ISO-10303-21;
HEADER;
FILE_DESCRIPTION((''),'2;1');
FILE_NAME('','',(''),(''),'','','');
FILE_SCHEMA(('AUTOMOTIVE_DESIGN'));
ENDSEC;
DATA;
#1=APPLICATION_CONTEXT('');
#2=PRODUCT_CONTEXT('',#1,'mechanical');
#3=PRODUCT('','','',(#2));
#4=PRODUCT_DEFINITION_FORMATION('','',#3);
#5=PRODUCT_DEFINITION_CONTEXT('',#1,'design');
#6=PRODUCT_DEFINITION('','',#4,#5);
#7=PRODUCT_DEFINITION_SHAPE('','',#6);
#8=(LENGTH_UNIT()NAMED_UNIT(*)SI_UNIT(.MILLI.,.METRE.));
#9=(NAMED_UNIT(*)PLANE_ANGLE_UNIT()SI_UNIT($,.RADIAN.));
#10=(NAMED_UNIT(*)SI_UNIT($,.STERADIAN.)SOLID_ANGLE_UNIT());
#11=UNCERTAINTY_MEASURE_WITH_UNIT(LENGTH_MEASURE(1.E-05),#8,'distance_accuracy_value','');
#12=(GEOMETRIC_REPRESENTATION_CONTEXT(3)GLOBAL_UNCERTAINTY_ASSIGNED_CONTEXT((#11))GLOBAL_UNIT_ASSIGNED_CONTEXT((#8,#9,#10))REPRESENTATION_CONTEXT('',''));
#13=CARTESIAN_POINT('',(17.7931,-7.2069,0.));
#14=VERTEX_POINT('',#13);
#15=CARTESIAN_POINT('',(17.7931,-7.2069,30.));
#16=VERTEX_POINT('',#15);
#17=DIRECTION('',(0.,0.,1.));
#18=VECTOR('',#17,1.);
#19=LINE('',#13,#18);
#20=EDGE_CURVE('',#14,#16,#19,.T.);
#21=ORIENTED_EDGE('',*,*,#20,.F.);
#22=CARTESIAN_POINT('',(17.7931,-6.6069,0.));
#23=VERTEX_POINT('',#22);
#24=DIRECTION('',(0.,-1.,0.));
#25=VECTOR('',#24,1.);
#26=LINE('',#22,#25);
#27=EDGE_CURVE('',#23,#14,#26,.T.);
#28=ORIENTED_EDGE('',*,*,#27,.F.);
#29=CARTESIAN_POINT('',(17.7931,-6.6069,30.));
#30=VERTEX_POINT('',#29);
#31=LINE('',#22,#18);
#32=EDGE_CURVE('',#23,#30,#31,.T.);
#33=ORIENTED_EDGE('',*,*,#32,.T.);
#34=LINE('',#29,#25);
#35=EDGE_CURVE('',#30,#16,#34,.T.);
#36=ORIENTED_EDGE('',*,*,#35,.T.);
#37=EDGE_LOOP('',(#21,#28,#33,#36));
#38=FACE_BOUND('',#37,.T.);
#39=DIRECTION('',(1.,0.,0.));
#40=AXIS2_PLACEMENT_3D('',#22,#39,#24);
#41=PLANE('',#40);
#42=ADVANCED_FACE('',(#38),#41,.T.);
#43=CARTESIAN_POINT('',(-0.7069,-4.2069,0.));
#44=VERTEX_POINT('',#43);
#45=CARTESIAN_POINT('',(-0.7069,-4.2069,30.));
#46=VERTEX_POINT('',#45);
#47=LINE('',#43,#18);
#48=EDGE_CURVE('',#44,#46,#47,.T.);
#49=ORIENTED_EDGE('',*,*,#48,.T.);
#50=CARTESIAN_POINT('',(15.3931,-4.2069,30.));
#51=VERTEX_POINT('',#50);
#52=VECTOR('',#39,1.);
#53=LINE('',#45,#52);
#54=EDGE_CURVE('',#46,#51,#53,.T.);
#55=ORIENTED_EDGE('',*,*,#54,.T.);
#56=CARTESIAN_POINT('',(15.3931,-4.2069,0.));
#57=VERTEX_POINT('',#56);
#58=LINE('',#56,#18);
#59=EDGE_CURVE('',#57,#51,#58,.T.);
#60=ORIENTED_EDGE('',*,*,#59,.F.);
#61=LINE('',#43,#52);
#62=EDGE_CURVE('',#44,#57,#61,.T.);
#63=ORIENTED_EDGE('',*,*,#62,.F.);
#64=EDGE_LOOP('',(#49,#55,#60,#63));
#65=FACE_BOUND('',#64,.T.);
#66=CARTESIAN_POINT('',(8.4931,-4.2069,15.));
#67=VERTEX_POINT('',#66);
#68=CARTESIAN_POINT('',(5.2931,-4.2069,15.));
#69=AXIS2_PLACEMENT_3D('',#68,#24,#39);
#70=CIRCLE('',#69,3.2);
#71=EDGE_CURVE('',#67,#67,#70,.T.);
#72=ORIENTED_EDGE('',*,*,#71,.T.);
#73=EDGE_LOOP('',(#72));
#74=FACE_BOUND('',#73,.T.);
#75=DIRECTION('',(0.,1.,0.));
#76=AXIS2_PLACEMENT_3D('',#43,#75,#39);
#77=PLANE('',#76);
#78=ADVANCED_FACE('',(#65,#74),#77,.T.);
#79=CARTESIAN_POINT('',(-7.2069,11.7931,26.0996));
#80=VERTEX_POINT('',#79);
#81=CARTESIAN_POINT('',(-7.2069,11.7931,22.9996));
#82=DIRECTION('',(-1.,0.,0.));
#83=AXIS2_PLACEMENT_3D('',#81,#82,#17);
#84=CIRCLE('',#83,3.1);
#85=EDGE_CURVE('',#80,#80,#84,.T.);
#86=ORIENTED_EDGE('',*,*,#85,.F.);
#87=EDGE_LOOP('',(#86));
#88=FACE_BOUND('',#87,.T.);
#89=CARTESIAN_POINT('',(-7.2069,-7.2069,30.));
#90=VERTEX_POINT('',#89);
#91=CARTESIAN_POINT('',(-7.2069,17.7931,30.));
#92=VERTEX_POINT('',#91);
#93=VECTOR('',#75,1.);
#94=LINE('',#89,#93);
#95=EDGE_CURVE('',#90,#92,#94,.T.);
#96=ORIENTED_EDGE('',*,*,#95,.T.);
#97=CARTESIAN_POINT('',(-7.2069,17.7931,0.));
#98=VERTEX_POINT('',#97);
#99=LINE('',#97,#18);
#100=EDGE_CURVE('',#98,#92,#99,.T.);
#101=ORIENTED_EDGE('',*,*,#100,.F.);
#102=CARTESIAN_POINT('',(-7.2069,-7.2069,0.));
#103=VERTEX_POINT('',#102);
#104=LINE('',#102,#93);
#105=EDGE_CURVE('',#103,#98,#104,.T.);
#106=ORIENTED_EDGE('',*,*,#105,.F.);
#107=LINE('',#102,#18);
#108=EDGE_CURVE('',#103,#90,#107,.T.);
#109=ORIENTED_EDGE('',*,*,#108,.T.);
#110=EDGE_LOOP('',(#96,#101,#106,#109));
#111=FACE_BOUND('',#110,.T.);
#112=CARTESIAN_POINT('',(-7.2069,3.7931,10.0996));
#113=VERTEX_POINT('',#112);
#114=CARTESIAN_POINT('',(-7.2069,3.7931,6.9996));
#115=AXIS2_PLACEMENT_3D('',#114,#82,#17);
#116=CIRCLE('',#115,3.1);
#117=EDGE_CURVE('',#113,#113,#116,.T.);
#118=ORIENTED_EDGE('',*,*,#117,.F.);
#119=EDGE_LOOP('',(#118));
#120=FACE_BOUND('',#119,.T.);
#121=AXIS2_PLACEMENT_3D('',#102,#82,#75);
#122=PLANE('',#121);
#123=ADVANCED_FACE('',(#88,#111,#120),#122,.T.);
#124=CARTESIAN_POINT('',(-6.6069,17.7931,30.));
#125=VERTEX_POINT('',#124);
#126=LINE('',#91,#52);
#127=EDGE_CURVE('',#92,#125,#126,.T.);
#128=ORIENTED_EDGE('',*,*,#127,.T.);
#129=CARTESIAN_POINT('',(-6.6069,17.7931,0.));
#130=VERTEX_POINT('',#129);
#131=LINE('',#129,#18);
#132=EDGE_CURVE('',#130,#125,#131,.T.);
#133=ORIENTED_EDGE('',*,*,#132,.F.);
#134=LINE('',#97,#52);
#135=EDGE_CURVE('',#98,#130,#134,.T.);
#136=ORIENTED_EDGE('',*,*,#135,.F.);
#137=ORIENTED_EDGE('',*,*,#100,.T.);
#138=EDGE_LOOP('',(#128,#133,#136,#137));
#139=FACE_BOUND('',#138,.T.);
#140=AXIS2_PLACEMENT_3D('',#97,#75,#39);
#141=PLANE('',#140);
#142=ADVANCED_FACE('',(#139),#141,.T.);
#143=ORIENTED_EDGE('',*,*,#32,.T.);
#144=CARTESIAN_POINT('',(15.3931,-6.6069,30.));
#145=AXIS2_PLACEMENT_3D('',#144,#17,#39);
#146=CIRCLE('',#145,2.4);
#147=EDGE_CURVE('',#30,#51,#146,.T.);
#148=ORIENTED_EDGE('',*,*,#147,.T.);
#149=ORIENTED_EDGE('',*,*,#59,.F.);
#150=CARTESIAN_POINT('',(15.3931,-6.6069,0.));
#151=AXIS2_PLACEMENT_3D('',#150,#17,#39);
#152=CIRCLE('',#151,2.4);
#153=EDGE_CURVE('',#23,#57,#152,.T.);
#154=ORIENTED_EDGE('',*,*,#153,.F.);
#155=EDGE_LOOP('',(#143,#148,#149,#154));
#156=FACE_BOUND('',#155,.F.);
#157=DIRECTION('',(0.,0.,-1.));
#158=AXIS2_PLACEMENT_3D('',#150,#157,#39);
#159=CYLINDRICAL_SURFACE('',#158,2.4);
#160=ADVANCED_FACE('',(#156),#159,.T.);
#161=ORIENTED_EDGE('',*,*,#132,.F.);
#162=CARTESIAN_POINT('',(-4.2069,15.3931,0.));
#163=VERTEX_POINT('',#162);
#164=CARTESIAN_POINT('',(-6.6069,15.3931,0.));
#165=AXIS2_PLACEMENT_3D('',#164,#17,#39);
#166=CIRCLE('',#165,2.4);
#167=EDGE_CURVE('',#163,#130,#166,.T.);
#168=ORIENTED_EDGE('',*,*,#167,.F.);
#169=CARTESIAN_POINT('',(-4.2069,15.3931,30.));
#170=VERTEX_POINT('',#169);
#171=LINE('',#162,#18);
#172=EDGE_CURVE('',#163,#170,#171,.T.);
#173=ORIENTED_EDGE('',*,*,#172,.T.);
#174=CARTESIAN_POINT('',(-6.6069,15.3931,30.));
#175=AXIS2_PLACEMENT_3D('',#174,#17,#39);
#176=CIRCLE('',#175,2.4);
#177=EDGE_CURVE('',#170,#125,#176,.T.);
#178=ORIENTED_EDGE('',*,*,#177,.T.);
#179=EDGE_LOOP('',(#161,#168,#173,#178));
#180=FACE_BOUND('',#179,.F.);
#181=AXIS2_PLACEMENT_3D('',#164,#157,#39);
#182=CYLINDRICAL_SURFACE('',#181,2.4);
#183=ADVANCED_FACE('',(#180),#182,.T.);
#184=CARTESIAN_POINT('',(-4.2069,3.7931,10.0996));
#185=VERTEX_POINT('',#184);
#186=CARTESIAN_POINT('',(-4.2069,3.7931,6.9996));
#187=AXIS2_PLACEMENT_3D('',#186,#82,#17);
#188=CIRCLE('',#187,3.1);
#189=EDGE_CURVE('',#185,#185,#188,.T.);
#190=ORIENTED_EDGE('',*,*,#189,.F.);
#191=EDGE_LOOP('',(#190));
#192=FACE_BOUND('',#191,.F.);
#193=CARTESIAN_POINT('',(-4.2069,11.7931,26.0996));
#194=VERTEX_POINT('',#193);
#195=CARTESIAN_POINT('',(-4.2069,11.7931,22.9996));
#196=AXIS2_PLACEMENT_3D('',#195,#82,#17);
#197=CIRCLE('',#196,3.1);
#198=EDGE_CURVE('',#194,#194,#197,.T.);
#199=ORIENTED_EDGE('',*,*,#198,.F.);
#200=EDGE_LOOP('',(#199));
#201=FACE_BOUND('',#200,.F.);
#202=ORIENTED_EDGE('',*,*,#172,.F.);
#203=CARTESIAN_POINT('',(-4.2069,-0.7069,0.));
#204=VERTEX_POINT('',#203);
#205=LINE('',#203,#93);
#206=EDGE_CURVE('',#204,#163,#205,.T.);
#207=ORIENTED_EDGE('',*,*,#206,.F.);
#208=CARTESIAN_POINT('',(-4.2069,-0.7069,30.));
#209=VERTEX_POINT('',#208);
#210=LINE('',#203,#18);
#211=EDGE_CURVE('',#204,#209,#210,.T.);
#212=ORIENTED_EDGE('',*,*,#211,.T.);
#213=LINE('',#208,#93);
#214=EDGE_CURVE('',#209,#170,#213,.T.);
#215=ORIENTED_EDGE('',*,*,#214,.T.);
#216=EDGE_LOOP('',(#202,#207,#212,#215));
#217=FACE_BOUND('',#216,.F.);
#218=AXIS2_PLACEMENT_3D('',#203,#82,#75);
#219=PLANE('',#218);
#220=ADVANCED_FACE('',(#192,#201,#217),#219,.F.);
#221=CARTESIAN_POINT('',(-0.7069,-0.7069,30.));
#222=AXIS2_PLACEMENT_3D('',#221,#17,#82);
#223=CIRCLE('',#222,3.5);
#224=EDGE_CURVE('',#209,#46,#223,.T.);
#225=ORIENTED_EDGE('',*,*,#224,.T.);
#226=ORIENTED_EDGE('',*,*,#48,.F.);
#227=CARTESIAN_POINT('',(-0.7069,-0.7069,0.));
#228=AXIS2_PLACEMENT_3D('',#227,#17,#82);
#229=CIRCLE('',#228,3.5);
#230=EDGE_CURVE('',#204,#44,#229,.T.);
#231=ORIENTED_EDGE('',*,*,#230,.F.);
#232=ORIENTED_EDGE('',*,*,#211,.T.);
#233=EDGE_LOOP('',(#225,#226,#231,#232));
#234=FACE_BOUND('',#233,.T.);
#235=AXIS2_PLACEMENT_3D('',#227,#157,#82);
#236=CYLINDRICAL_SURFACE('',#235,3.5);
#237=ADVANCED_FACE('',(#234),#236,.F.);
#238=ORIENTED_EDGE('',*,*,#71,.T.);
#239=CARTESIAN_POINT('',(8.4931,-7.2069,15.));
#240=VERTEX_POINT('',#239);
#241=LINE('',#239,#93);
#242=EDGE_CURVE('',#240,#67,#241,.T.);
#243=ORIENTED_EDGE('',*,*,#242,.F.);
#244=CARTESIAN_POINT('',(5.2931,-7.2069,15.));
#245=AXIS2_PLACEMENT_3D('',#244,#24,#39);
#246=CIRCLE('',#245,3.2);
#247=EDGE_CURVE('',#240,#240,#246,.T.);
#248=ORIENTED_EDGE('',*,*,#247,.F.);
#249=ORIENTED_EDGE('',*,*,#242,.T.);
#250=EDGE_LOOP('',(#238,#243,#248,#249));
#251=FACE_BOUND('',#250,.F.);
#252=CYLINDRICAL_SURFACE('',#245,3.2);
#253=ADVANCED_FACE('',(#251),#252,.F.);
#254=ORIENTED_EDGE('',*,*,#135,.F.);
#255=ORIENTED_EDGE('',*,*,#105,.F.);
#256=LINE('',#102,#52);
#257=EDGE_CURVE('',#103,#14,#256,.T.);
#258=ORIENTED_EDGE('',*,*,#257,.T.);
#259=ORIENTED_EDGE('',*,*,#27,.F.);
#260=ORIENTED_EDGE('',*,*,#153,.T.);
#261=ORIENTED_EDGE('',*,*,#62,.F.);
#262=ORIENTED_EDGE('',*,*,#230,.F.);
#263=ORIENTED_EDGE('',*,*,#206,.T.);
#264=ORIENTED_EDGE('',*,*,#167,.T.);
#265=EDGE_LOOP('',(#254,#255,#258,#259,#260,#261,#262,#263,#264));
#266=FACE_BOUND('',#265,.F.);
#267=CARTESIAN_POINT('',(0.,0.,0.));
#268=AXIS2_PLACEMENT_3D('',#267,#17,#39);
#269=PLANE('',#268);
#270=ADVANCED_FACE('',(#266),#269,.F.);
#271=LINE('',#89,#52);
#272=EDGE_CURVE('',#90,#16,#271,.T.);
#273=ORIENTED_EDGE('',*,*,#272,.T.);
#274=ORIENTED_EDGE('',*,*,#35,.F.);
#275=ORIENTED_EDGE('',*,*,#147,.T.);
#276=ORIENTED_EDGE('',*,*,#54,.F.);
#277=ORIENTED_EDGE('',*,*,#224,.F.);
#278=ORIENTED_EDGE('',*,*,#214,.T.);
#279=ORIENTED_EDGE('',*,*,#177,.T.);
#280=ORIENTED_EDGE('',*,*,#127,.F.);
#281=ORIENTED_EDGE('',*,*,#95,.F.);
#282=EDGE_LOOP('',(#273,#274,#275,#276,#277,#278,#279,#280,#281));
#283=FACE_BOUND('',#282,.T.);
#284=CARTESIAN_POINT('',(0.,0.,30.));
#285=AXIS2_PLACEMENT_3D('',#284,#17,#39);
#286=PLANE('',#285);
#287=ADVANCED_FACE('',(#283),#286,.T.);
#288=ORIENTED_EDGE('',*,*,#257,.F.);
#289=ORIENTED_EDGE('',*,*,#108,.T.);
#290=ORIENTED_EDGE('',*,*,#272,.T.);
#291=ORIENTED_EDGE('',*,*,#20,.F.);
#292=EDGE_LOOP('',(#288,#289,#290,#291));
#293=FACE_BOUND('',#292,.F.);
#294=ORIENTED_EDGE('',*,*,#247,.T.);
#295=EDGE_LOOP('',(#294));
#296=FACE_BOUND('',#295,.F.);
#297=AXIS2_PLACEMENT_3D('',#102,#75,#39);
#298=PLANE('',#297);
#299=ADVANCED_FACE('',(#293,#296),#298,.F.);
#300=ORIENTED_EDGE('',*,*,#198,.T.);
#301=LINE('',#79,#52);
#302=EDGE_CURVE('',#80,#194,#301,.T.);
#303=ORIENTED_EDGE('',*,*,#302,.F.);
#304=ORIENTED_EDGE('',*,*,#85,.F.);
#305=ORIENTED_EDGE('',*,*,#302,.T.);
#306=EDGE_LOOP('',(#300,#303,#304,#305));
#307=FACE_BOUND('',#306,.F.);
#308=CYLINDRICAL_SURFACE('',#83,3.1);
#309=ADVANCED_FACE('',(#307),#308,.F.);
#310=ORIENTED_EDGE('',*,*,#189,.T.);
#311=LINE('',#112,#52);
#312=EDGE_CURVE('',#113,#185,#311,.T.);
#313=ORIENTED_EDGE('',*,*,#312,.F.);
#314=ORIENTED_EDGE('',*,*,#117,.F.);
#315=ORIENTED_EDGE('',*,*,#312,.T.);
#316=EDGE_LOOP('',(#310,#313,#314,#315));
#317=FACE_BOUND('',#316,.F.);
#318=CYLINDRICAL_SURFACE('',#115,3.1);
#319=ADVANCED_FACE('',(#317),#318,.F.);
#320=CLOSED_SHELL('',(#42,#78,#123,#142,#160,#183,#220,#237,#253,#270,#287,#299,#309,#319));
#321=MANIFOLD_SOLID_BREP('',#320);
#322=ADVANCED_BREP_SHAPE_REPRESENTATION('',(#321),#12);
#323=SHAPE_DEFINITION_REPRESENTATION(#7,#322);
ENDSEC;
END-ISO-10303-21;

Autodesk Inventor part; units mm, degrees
ref_plane "YZ Plane" through (0, 0, 0) normal (1, 0, 0) x (0, 1, 0)
ref_plane "Počáteční rovina" through (0, 0, 0) normal (0, 0, 1) x (1, 0, 0)
ref_plane "Koncová rovina" through (0, 0, 30) normal (0, 0, 1) x (1, 0, 0)
sketch "Náčrt2" plane through (0, 0, 0) normal (0, 0, 1) x (1, 0, 0)
  line L0 (-4.2069, -0.7069) -> (-4.2069, 15.3931)
  line L1 (-7.2069, 17.7931) -> (-6.6069, 17.7931)
  line L2 (-7.2069, -7.2069) -> (-7.2069, 17.7931)
  line L3 (-7.2069, -7.2069) -> (17.7931, -7.2069)
  line L4 (17.7931, -6.6069) -> (17.7931, -7.2069)
  line L5 (-0.7069, -4.2069) -> (15.3931, -4.2069)
  arc A0 (-4.2069, -0.7069) -> (-0.7069, -4.2069) centre (-0.7069, -0.7069) ccw
  arc A1 (-4.2069, 15.3931) -> (-6.6069, 17.7931) centre (-6.6069, 15.3931) ccw
  arc A2 (17.7931, -6.6069) -> (15.3931, -4.2069) centre (15.3931, -6.6069) ccw
  line L6 (0, 23.3895) -> (0, -12.3063) construction
  line L7 (-12.3063, 0) -> (23.3895, 0) construction
  point P0 (-4.2069, -4.2069)
  point P1 (-4.2069, 17.7931)
  point P2 (17.7931, -4.2069)
  dimension "d4" = 25
  dimension "d6" = 25
  dimension "d8" = 3
  dimension "d10" = 3
  dimension "d17" = 3.5
  dimension "d18" = 2.4
  dimension "d19" = 7.2069
  dimension "d20" = 7.2069
extrude "Těleso" add sketch "Náčrt2" along normal up to surface (30 mm away) from surface at 0
sketch "Sketch3" plane through (0, 0, 0) normal (0, 0, 1) x (1, 0, 0)
  line L0 (0, 0) -> (10, 0)
ref_plane "Work Plane10" through (0, 0, 0) normal (0, -1, 0) x (1, 0, 0)
sketch "Sketch4" plane through (0, 0, 0) normal (0, -1, 0) x (1, 0, 0)
  line L0 (-2, 0) -> (12, 0)
  line L1 (-2, 30) -> (12, 30)
  dimension "d24" = 30
sketch "Sketch5" plane through (-7.2069, 17.7931, 0) normal (-1, 0, 0) x (0, 0, 1)
  circle A0 centre (22.9996, -6) radius 3.1 projected
  circle A1 centre (6.9996, -14) radius 3.1 projected
  line L0 (0, -2.4) -> (0, -18.5) projected
  line L1 (30, -18.5) -> (0, -18.5) projected
  line L2 (30, -2.4) -> (30, -18.5) projected
  line L3 (30, -2.4) -> (0, -2.4) projected
  point P0 (0, -17.7931)
extrude "Extrusion2" cut sketch "Sketch5" against normal blind 10 contours A0 | A1
sketch "Sketch6" plane through (-7.2069, -7.2069, 0) normal (0, -1, 0) x (1, 0, 0)
  line L0 (22.6, 30) -> (25, 30) construction
  line L1 (0, 0) -> (0, 30) construction
  line L2 (25, 30) -> (0, 0) construction
  line L3 (22.6, 0) -> (25, 0) construction
  line L4 (25, 0) -> (0, 30) construction
  circle A0 centre (12.5, 15) radius 3.2
  point P0 (7.2069, 0)
  dimension "d27" = 6.4
extrude "Extrusion3" cut sketch "Sketch6" against normal blind 10
equation "\"d4\" = b"
equation "\"d6\" = b"
equation "\"d8\" = ParT"
equation "\"d10\" = ParT"
equation "\"d17\" = R"
equation "\"d18\" = R1"
equation "\"d19\" = ex"
equation "\"d20\" = d19"
equation "\"d11\" = G_L"
equation "\"b\" = 25"
equation "\"ParT\" = 3"
equation "\"R\" = 3.5"
equation "\"R1\" = 2.4"
equation "\"G_L\" = d24"
equation "\"G_OFFSET_START\" = 0"
equation "\"G_OFFSET_END\" = 0"
equation "\"ex\" = 7.206925"
properties part number "BS 4848 - 25x25x3-30" material "Steel, Mild"
